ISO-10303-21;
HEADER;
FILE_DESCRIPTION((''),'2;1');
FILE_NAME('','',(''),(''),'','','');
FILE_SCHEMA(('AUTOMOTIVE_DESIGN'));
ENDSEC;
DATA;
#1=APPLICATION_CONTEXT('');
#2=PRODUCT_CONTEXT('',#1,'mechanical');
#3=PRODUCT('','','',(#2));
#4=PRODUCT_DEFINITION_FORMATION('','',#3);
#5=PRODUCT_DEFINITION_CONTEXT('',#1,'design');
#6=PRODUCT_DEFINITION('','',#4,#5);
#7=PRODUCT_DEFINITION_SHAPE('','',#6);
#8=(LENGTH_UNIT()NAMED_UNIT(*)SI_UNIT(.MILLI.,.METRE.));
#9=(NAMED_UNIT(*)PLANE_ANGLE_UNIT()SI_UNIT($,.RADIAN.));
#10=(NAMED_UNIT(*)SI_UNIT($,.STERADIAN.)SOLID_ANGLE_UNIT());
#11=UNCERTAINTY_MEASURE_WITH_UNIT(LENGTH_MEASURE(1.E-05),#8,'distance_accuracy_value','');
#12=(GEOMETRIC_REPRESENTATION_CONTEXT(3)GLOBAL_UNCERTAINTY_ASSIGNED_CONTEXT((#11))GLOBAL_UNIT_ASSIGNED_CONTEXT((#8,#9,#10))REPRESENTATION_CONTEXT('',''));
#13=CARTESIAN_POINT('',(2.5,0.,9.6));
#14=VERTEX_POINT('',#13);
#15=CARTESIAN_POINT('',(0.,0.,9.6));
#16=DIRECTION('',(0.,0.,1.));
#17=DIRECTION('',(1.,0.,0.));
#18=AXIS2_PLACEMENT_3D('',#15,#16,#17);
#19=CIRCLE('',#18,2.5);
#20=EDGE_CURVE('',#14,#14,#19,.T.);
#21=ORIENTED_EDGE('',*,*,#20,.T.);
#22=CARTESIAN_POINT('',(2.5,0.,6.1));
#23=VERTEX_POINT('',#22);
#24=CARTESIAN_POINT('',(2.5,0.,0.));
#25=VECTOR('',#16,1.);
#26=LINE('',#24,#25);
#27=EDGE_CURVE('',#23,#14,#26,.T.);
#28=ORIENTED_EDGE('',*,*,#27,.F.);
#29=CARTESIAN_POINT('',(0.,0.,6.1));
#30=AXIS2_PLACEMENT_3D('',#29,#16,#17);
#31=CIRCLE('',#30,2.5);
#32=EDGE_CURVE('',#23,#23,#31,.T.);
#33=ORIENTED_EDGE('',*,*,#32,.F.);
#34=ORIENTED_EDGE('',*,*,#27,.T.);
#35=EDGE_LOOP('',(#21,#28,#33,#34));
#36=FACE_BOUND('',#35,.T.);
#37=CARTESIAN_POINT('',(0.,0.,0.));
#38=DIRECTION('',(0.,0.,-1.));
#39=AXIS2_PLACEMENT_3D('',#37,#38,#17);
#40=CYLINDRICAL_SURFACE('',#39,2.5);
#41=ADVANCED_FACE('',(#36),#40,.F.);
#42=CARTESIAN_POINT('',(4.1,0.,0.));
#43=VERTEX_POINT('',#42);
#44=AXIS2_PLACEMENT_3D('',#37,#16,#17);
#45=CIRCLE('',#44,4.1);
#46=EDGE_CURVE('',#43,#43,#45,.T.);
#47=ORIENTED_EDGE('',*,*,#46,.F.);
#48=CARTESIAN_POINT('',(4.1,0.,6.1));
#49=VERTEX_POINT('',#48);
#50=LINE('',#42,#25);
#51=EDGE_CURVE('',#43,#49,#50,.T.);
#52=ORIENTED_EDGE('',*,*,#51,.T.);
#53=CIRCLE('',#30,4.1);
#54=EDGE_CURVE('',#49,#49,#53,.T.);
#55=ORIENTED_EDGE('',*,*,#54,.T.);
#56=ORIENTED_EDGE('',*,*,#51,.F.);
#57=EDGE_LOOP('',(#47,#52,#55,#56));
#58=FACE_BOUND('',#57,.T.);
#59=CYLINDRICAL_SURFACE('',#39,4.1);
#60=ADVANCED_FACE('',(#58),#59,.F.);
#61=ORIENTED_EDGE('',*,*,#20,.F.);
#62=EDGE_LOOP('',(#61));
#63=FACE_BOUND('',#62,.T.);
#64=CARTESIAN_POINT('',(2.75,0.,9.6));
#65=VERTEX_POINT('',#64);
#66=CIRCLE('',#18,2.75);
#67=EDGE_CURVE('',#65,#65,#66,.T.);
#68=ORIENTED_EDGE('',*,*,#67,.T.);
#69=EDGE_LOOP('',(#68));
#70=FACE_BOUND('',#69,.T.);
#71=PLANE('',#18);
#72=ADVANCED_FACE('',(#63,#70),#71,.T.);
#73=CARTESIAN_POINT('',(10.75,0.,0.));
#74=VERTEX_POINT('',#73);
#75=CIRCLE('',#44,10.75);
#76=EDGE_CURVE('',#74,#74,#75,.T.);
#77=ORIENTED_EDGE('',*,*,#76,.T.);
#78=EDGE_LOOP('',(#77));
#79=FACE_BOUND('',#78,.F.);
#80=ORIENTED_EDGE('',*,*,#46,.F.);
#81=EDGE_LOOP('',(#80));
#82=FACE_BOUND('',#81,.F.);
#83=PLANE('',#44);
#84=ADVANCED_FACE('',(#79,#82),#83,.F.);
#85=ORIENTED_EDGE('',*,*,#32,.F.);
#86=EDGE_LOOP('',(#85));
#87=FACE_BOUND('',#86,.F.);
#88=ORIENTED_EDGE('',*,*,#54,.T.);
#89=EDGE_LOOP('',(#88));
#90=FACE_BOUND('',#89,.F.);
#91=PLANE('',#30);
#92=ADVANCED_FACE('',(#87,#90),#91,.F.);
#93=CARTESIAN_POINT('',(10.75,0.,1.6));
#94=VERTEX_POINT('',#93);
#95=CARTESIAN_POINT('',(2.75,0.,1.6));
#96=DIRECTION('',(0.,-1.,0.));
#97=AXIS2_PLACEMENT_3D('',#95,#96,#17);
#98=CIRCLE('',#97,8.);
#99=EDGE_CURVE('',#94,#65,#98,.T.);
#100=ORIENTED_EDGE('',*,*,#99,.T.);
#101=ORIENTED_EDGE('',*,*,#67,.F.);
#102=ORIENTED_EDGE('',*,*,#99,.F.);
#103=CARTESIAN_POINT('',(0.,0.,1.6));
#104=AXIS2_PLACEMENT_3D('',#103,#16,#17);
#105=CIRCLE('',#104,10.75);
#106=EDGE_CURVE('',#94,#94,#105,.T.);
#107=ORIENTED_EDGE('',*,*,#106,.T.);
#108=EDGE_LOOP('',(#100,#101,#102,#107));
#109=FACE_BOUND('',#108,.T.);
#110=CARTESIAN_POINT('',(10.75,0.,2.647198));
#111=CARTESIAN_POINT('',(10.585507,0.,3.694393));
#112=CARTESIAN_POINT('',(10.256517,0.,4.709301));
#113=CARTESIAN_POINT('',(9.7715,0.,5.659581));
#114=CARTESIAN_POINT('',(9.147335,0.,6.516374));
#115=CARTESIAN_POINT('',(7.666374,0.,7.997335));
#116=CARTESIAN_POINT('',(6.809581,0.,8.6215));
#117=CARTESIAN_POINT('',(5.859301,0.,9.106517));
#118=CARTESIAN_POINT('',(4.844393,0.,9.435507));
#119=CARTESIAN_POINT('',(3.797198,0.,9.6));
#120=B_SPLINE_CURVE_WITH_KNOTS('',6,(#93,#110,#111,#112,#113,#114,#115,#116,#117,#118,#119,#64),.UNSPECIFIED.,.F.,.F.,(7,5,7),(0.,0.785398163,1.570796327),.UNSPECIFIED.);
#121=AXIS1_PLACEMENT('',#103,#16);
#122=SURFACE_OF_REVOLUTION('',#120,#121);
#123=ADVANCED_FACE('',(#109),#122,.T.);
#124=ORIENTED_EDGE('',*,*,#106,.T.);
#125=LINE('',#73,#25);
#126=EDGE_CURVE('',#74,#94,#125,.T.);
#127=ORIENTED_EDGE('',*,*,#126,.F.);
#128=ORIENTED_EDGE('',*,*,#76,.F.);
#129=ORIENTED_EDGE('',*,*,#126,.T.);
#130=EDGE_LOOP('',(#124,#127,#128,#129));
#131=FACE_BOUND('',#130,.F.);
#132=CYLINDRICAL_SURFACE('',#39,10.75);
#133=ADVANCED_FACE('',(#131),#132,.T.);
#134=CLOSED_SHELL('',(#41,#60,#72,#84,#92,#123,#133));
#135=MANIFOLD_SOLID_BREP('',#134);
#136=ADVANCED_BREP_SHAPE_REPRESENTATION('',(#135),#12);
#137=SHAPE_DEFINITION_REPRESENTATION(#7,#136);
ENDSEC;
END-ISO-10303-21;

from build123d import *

# Parameters (mm, degrees)
F0_R          = 10.75
F0_R_2        = 4.1
F0_R_3        = 2.5
F1_DEPTH      = 9.6
F2_R          = 8
F3_DEPTH      = 25
F4_DEPTH      = 6.1
F4_DEPTH_BACK = 13.5


with BuildPart() as f1:
    # F0 (on Top) → F1 (new body)
    with BuildSketch(Plane.XY):
        Circle(F0_R)
        Circle(F0_R_2, mode=Mode.SUBTRACT)
        Circle(F0_R_2)
        Circle(F0_R_3, mode=Mode.SUBTRACT)
    extrude(amount=F1_DEPTH)

    # F2
    f2_edges = [f1.edges().sort_by_distance(p)[0] for p in [
        (-10.75, 0, 9.6),
    ]]
    fillet(f2_edges, radius=F2_R)

    # F0 (on Top) → F3 (cut)
    with BuildSketch(Plane.XY):
        Circle(F0_R_3)
    extrude(amount=-F3_DEPTH, mode=Mode.SUBTRACT)

    # F0 (on Top) → F4 (cut, two sides)
    with BuildSketch(Plane.XY) as f4_sk:
        Circle(F0_R_2)
        Circle(F0_R_3, mode=Mode.SUBTRACT)
    extrude(amount=F4_DEPTH, mode=Mode.SUBTRACT)
    extrude(f4_sk.sketch, amount=-F4_DEPTH_BACK, mode=Mode.SUBTRACT)


solid = f1.part
